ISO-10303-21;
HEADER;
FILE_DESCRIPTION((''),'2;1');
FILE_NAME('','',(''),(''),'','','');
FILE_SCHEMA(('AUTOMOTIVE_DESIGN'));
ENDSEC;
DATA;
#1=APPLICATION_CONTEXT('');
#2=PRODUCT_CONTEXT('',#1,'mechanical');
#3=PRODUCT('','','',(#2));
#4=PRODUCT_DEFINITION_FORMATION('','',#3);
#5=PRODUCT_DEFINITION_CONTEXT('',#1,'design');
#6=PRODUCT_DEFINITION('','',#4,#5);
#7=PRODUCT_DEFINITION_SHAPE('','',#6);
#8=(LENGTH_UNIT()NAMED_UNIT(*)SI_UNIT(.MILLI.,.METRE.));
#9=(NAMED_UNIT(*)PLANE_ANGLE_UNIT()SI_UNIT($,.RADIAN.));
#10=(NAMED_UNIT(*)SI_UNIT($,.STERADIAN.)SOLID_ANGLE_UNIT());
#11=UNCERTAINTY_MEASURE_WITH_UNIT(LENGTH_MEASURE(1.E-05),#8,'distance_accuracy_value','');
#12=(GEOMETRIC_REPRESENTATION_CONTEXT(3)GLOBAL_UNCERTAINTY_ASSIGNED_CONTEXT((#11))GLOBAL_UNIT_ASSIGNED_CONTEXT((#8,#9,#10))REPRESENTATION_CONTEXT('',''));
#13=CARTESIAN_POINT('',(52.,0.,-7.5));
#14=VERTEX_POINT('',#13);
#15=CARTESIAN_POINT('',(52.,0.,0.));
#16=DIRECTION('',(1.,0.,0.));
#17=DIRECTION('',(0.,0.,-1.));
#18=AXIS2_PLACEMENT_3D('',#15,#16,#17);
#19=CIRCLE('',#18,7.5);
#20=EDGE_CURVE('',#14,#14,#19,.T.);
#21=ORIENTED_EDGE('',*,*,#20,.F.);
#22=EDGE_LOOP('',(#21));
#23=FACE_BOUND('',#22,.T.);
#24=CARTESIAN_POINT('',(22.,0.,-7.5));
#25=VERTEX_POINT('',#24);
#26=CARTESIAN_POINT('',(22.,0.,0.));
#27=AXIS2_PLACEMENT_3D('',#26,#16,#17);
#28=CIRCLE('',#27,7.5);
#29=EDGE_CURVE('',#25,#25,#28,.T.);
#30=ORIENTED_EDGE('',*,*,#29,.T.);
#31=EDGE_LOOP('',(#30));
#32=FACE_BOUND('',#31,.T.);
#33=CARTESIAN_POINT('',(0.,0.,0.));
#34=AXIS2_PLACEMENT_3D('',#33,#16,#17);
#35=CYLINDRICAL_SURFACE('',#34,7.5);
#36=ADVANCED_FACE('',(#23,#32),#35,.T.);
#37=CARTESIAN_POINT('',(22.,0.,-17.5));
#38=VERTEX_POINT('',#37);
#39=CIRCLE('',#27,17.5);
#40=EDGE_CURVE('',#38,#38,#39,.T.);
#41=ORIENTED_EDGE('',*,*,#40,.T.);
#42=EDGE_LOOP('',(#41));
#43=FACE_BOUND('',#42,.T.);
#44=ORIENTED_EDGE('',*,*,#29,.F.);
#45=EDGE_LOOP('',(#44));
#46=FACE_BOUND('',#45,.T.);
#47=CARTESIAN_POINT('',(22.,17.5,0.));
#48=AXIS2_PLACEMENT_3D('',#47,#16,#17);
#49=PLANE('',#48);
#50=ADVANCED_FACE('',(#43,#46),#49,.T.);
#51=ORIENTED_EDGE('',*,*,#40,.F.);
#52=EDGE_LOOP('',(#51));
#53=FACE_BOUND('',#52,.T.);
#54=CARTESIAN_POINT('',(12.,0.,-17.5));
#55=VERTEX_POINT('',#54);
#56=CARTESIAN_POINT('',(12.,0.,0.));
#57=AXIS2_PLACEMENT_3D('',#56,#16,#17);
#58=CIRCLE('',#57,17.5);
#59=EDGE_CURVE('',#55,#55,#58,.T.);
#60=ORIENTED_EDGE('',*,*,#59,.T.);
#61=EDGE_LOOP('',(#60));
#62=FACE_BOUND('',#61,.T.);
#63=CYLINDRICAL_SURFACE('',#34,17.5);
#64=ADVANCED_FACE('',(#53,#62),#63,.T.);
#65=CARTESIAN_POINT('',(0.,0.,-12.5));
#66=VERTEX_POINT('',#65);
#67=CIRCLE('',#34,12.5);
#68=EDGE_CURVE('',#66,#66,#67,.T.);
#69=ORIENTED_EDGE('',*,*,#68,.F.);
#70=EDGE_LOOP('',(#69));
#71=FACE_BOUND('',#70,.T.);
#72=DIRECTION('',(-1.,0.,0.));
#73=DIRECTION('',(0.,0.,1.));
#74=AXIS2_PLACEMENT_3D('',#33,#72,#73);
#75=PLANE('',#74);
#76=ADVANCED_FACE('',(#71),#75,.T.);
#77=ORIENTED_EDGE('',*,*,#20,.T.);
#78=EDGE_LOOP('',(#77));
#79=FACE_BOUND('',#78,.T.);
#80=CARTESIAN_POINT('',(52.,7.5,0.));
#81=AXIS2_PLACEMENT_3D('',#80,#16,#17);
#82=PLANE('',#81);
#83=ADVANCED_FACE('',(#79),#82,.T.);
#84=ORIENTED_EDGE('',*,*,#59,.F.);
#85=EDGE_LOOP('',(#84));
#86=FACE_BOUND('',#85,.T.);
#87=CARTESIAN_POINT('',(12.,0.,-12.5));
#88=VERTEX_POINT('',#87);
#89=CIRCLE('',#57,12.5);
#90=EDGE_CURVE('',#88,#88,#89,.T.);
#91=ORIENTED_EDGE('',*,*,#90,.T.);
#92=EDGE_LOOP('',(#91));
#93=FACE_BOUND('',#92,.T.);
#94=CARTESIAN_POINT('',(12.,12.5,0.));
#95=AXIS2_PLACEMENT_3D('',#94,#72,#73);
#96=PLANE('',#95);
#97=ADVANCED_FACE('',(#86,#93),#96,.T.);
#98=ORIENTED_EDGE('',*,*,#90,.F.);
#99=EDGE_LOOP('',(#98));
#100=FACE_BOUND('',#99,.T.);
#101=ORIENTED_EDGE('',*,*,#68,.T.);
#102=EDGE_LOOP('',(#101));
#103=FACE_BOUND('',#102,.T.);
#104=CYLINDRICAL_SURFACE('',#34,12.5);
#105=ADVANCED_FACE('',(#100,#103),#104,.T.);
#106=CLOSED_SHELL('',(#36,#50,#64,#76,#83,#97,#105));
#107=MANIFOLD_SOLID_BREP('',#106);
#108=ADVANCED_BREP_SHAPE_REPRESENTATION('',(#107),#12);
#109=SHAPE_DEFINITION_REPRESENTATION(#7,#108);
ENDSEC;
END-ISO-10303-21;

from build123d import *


with BuildPart() as part:
    # Skica1 → Rotovat1 (revolve)
    with BuildSketch(Plane.XY):
        Polygon((0, 0), (0, 12.5), (12, 12.5), (12, 17.5), (22, 17.5), (22, 7.5), (52, 7.5), (52, 0), align=None)
    revolve(axis=Axis((0, 0, 0), (-1, 0, 0)))


solid = part.part
